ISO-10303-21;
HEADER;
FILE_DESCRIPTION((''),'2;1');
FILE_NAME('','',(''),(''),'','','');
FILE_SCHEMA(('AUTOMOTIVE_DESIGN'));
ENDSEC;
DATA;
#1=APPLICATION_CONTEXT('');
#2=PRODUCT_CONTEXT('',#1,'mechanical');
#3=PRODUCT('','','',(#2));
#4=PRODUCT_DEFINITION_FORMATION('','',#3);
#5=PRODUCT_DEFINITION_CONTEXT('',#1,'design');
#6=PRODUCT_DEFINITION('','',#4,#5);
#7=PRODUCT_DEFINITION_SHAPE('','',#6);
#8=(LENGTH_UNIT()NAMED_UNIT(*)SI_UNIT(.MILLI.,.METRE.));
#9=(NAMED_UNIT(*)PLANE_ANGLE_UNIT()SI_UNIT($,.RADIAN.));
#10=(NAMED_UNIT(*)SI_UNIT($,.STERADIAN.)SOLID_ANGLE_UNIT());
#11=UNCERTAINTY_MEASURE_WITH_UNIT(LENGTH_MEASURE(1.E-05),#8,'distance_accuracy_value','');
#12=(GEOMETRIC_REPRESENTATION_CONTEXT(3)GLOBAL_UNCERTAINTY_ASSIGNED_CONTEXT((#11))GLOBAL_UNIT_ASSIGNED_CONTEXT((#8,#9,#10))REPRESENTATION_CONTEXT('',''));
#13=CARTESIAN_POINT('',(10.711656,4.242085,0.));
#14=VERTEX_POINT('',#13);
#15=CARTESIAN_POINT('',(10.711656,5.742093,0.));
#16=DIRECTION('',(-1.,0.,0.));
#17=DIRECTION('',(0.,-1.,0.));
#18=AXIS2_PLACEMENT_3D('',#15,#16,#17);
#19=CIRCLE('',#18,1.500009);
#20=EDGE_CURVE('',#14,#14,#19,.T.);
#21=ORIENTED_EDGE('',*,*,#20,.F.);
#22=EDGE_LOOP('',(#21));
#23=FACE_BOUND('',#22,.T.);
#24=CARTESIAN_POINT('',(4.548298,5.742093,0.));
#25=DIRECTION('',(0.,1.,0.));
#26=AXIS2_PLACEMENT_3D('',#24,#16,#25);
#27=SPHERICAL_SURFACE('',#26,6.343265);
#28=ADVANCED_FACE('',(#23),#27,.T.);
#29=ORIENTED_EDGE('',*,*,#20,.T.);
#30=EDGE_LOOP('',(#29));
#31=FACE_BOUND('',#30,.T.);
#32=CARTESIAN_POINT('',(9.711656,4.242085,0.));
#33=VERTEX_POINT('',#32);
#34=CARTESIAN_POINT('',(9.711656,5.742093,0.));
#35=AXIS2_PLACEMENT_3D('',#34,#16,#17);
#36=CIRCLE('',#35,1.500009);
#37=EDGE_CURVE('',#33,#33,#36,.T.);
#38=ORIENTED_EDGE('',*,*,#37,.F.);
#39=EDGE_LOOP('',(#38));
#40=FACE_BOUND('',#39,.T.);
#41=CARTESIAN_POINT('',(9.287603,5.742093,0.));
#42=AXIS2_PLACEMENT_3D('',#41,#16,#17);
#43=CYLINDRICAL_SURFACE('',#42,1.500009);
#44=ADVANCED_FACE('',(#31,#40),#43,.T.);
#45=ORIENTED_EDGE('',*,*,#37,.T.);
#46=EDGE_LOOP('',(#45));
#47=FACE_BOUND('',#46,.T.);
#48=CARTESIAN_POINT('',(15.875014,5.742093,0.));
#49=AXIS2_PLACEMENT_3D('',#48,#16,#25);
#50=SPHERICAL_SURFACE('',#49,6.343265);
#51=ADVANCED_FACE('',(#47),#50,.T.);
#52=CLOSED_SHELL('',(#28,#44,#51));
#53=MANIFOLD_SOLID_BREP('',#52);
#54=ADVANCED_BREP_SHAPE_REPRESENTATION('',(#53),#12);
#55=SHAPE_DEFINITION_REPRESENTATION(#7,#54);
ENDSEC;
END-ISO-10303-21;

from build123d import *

# Parameters (mm, degrees)
SKETCH_2_ONE_SIDE_W = 1
SKETCH_2_ONE_SIDE_H = 1.500008572


with BuildPart() as part:
    # 草图2 one side → 旋转1 (revolve)
    with BuildSketch(Plane.XY):
        with Locations((10.211656042, 6.492097691)):
            Rectangle(SKETCH_2_ONE_SIDE_W, SKETCH_2_ONE_SIDE_H)
        with BuildLine():
            Line((9.5317493, 5.742093405), (9.711656042, 5.742093405))
            Line((9.711656042, 5.742093405), (9.711656042, 7.242101977))
            ThreePointArc((9.711656042, 7.242101977), (9.576886579, 6.497472805), (9.5317493, 5.742093405))
        make_face()
        with BuildLine():
            Line((10.711656042, 5.742093405), (10.891562785, 5.742093405))
            ThreePointArc((10.891562785, 5.742093405), (10.846425505, 6.497472805), (10.711656042, 7.242101977))
            Line((10.711656042, 7.242101977), (10.711656042, 5.742093405))
        make_face()
    revolve(axis=Axis((9.287603356, 5.742093405, 0), (1, 0, 0)))


solid = part.part
